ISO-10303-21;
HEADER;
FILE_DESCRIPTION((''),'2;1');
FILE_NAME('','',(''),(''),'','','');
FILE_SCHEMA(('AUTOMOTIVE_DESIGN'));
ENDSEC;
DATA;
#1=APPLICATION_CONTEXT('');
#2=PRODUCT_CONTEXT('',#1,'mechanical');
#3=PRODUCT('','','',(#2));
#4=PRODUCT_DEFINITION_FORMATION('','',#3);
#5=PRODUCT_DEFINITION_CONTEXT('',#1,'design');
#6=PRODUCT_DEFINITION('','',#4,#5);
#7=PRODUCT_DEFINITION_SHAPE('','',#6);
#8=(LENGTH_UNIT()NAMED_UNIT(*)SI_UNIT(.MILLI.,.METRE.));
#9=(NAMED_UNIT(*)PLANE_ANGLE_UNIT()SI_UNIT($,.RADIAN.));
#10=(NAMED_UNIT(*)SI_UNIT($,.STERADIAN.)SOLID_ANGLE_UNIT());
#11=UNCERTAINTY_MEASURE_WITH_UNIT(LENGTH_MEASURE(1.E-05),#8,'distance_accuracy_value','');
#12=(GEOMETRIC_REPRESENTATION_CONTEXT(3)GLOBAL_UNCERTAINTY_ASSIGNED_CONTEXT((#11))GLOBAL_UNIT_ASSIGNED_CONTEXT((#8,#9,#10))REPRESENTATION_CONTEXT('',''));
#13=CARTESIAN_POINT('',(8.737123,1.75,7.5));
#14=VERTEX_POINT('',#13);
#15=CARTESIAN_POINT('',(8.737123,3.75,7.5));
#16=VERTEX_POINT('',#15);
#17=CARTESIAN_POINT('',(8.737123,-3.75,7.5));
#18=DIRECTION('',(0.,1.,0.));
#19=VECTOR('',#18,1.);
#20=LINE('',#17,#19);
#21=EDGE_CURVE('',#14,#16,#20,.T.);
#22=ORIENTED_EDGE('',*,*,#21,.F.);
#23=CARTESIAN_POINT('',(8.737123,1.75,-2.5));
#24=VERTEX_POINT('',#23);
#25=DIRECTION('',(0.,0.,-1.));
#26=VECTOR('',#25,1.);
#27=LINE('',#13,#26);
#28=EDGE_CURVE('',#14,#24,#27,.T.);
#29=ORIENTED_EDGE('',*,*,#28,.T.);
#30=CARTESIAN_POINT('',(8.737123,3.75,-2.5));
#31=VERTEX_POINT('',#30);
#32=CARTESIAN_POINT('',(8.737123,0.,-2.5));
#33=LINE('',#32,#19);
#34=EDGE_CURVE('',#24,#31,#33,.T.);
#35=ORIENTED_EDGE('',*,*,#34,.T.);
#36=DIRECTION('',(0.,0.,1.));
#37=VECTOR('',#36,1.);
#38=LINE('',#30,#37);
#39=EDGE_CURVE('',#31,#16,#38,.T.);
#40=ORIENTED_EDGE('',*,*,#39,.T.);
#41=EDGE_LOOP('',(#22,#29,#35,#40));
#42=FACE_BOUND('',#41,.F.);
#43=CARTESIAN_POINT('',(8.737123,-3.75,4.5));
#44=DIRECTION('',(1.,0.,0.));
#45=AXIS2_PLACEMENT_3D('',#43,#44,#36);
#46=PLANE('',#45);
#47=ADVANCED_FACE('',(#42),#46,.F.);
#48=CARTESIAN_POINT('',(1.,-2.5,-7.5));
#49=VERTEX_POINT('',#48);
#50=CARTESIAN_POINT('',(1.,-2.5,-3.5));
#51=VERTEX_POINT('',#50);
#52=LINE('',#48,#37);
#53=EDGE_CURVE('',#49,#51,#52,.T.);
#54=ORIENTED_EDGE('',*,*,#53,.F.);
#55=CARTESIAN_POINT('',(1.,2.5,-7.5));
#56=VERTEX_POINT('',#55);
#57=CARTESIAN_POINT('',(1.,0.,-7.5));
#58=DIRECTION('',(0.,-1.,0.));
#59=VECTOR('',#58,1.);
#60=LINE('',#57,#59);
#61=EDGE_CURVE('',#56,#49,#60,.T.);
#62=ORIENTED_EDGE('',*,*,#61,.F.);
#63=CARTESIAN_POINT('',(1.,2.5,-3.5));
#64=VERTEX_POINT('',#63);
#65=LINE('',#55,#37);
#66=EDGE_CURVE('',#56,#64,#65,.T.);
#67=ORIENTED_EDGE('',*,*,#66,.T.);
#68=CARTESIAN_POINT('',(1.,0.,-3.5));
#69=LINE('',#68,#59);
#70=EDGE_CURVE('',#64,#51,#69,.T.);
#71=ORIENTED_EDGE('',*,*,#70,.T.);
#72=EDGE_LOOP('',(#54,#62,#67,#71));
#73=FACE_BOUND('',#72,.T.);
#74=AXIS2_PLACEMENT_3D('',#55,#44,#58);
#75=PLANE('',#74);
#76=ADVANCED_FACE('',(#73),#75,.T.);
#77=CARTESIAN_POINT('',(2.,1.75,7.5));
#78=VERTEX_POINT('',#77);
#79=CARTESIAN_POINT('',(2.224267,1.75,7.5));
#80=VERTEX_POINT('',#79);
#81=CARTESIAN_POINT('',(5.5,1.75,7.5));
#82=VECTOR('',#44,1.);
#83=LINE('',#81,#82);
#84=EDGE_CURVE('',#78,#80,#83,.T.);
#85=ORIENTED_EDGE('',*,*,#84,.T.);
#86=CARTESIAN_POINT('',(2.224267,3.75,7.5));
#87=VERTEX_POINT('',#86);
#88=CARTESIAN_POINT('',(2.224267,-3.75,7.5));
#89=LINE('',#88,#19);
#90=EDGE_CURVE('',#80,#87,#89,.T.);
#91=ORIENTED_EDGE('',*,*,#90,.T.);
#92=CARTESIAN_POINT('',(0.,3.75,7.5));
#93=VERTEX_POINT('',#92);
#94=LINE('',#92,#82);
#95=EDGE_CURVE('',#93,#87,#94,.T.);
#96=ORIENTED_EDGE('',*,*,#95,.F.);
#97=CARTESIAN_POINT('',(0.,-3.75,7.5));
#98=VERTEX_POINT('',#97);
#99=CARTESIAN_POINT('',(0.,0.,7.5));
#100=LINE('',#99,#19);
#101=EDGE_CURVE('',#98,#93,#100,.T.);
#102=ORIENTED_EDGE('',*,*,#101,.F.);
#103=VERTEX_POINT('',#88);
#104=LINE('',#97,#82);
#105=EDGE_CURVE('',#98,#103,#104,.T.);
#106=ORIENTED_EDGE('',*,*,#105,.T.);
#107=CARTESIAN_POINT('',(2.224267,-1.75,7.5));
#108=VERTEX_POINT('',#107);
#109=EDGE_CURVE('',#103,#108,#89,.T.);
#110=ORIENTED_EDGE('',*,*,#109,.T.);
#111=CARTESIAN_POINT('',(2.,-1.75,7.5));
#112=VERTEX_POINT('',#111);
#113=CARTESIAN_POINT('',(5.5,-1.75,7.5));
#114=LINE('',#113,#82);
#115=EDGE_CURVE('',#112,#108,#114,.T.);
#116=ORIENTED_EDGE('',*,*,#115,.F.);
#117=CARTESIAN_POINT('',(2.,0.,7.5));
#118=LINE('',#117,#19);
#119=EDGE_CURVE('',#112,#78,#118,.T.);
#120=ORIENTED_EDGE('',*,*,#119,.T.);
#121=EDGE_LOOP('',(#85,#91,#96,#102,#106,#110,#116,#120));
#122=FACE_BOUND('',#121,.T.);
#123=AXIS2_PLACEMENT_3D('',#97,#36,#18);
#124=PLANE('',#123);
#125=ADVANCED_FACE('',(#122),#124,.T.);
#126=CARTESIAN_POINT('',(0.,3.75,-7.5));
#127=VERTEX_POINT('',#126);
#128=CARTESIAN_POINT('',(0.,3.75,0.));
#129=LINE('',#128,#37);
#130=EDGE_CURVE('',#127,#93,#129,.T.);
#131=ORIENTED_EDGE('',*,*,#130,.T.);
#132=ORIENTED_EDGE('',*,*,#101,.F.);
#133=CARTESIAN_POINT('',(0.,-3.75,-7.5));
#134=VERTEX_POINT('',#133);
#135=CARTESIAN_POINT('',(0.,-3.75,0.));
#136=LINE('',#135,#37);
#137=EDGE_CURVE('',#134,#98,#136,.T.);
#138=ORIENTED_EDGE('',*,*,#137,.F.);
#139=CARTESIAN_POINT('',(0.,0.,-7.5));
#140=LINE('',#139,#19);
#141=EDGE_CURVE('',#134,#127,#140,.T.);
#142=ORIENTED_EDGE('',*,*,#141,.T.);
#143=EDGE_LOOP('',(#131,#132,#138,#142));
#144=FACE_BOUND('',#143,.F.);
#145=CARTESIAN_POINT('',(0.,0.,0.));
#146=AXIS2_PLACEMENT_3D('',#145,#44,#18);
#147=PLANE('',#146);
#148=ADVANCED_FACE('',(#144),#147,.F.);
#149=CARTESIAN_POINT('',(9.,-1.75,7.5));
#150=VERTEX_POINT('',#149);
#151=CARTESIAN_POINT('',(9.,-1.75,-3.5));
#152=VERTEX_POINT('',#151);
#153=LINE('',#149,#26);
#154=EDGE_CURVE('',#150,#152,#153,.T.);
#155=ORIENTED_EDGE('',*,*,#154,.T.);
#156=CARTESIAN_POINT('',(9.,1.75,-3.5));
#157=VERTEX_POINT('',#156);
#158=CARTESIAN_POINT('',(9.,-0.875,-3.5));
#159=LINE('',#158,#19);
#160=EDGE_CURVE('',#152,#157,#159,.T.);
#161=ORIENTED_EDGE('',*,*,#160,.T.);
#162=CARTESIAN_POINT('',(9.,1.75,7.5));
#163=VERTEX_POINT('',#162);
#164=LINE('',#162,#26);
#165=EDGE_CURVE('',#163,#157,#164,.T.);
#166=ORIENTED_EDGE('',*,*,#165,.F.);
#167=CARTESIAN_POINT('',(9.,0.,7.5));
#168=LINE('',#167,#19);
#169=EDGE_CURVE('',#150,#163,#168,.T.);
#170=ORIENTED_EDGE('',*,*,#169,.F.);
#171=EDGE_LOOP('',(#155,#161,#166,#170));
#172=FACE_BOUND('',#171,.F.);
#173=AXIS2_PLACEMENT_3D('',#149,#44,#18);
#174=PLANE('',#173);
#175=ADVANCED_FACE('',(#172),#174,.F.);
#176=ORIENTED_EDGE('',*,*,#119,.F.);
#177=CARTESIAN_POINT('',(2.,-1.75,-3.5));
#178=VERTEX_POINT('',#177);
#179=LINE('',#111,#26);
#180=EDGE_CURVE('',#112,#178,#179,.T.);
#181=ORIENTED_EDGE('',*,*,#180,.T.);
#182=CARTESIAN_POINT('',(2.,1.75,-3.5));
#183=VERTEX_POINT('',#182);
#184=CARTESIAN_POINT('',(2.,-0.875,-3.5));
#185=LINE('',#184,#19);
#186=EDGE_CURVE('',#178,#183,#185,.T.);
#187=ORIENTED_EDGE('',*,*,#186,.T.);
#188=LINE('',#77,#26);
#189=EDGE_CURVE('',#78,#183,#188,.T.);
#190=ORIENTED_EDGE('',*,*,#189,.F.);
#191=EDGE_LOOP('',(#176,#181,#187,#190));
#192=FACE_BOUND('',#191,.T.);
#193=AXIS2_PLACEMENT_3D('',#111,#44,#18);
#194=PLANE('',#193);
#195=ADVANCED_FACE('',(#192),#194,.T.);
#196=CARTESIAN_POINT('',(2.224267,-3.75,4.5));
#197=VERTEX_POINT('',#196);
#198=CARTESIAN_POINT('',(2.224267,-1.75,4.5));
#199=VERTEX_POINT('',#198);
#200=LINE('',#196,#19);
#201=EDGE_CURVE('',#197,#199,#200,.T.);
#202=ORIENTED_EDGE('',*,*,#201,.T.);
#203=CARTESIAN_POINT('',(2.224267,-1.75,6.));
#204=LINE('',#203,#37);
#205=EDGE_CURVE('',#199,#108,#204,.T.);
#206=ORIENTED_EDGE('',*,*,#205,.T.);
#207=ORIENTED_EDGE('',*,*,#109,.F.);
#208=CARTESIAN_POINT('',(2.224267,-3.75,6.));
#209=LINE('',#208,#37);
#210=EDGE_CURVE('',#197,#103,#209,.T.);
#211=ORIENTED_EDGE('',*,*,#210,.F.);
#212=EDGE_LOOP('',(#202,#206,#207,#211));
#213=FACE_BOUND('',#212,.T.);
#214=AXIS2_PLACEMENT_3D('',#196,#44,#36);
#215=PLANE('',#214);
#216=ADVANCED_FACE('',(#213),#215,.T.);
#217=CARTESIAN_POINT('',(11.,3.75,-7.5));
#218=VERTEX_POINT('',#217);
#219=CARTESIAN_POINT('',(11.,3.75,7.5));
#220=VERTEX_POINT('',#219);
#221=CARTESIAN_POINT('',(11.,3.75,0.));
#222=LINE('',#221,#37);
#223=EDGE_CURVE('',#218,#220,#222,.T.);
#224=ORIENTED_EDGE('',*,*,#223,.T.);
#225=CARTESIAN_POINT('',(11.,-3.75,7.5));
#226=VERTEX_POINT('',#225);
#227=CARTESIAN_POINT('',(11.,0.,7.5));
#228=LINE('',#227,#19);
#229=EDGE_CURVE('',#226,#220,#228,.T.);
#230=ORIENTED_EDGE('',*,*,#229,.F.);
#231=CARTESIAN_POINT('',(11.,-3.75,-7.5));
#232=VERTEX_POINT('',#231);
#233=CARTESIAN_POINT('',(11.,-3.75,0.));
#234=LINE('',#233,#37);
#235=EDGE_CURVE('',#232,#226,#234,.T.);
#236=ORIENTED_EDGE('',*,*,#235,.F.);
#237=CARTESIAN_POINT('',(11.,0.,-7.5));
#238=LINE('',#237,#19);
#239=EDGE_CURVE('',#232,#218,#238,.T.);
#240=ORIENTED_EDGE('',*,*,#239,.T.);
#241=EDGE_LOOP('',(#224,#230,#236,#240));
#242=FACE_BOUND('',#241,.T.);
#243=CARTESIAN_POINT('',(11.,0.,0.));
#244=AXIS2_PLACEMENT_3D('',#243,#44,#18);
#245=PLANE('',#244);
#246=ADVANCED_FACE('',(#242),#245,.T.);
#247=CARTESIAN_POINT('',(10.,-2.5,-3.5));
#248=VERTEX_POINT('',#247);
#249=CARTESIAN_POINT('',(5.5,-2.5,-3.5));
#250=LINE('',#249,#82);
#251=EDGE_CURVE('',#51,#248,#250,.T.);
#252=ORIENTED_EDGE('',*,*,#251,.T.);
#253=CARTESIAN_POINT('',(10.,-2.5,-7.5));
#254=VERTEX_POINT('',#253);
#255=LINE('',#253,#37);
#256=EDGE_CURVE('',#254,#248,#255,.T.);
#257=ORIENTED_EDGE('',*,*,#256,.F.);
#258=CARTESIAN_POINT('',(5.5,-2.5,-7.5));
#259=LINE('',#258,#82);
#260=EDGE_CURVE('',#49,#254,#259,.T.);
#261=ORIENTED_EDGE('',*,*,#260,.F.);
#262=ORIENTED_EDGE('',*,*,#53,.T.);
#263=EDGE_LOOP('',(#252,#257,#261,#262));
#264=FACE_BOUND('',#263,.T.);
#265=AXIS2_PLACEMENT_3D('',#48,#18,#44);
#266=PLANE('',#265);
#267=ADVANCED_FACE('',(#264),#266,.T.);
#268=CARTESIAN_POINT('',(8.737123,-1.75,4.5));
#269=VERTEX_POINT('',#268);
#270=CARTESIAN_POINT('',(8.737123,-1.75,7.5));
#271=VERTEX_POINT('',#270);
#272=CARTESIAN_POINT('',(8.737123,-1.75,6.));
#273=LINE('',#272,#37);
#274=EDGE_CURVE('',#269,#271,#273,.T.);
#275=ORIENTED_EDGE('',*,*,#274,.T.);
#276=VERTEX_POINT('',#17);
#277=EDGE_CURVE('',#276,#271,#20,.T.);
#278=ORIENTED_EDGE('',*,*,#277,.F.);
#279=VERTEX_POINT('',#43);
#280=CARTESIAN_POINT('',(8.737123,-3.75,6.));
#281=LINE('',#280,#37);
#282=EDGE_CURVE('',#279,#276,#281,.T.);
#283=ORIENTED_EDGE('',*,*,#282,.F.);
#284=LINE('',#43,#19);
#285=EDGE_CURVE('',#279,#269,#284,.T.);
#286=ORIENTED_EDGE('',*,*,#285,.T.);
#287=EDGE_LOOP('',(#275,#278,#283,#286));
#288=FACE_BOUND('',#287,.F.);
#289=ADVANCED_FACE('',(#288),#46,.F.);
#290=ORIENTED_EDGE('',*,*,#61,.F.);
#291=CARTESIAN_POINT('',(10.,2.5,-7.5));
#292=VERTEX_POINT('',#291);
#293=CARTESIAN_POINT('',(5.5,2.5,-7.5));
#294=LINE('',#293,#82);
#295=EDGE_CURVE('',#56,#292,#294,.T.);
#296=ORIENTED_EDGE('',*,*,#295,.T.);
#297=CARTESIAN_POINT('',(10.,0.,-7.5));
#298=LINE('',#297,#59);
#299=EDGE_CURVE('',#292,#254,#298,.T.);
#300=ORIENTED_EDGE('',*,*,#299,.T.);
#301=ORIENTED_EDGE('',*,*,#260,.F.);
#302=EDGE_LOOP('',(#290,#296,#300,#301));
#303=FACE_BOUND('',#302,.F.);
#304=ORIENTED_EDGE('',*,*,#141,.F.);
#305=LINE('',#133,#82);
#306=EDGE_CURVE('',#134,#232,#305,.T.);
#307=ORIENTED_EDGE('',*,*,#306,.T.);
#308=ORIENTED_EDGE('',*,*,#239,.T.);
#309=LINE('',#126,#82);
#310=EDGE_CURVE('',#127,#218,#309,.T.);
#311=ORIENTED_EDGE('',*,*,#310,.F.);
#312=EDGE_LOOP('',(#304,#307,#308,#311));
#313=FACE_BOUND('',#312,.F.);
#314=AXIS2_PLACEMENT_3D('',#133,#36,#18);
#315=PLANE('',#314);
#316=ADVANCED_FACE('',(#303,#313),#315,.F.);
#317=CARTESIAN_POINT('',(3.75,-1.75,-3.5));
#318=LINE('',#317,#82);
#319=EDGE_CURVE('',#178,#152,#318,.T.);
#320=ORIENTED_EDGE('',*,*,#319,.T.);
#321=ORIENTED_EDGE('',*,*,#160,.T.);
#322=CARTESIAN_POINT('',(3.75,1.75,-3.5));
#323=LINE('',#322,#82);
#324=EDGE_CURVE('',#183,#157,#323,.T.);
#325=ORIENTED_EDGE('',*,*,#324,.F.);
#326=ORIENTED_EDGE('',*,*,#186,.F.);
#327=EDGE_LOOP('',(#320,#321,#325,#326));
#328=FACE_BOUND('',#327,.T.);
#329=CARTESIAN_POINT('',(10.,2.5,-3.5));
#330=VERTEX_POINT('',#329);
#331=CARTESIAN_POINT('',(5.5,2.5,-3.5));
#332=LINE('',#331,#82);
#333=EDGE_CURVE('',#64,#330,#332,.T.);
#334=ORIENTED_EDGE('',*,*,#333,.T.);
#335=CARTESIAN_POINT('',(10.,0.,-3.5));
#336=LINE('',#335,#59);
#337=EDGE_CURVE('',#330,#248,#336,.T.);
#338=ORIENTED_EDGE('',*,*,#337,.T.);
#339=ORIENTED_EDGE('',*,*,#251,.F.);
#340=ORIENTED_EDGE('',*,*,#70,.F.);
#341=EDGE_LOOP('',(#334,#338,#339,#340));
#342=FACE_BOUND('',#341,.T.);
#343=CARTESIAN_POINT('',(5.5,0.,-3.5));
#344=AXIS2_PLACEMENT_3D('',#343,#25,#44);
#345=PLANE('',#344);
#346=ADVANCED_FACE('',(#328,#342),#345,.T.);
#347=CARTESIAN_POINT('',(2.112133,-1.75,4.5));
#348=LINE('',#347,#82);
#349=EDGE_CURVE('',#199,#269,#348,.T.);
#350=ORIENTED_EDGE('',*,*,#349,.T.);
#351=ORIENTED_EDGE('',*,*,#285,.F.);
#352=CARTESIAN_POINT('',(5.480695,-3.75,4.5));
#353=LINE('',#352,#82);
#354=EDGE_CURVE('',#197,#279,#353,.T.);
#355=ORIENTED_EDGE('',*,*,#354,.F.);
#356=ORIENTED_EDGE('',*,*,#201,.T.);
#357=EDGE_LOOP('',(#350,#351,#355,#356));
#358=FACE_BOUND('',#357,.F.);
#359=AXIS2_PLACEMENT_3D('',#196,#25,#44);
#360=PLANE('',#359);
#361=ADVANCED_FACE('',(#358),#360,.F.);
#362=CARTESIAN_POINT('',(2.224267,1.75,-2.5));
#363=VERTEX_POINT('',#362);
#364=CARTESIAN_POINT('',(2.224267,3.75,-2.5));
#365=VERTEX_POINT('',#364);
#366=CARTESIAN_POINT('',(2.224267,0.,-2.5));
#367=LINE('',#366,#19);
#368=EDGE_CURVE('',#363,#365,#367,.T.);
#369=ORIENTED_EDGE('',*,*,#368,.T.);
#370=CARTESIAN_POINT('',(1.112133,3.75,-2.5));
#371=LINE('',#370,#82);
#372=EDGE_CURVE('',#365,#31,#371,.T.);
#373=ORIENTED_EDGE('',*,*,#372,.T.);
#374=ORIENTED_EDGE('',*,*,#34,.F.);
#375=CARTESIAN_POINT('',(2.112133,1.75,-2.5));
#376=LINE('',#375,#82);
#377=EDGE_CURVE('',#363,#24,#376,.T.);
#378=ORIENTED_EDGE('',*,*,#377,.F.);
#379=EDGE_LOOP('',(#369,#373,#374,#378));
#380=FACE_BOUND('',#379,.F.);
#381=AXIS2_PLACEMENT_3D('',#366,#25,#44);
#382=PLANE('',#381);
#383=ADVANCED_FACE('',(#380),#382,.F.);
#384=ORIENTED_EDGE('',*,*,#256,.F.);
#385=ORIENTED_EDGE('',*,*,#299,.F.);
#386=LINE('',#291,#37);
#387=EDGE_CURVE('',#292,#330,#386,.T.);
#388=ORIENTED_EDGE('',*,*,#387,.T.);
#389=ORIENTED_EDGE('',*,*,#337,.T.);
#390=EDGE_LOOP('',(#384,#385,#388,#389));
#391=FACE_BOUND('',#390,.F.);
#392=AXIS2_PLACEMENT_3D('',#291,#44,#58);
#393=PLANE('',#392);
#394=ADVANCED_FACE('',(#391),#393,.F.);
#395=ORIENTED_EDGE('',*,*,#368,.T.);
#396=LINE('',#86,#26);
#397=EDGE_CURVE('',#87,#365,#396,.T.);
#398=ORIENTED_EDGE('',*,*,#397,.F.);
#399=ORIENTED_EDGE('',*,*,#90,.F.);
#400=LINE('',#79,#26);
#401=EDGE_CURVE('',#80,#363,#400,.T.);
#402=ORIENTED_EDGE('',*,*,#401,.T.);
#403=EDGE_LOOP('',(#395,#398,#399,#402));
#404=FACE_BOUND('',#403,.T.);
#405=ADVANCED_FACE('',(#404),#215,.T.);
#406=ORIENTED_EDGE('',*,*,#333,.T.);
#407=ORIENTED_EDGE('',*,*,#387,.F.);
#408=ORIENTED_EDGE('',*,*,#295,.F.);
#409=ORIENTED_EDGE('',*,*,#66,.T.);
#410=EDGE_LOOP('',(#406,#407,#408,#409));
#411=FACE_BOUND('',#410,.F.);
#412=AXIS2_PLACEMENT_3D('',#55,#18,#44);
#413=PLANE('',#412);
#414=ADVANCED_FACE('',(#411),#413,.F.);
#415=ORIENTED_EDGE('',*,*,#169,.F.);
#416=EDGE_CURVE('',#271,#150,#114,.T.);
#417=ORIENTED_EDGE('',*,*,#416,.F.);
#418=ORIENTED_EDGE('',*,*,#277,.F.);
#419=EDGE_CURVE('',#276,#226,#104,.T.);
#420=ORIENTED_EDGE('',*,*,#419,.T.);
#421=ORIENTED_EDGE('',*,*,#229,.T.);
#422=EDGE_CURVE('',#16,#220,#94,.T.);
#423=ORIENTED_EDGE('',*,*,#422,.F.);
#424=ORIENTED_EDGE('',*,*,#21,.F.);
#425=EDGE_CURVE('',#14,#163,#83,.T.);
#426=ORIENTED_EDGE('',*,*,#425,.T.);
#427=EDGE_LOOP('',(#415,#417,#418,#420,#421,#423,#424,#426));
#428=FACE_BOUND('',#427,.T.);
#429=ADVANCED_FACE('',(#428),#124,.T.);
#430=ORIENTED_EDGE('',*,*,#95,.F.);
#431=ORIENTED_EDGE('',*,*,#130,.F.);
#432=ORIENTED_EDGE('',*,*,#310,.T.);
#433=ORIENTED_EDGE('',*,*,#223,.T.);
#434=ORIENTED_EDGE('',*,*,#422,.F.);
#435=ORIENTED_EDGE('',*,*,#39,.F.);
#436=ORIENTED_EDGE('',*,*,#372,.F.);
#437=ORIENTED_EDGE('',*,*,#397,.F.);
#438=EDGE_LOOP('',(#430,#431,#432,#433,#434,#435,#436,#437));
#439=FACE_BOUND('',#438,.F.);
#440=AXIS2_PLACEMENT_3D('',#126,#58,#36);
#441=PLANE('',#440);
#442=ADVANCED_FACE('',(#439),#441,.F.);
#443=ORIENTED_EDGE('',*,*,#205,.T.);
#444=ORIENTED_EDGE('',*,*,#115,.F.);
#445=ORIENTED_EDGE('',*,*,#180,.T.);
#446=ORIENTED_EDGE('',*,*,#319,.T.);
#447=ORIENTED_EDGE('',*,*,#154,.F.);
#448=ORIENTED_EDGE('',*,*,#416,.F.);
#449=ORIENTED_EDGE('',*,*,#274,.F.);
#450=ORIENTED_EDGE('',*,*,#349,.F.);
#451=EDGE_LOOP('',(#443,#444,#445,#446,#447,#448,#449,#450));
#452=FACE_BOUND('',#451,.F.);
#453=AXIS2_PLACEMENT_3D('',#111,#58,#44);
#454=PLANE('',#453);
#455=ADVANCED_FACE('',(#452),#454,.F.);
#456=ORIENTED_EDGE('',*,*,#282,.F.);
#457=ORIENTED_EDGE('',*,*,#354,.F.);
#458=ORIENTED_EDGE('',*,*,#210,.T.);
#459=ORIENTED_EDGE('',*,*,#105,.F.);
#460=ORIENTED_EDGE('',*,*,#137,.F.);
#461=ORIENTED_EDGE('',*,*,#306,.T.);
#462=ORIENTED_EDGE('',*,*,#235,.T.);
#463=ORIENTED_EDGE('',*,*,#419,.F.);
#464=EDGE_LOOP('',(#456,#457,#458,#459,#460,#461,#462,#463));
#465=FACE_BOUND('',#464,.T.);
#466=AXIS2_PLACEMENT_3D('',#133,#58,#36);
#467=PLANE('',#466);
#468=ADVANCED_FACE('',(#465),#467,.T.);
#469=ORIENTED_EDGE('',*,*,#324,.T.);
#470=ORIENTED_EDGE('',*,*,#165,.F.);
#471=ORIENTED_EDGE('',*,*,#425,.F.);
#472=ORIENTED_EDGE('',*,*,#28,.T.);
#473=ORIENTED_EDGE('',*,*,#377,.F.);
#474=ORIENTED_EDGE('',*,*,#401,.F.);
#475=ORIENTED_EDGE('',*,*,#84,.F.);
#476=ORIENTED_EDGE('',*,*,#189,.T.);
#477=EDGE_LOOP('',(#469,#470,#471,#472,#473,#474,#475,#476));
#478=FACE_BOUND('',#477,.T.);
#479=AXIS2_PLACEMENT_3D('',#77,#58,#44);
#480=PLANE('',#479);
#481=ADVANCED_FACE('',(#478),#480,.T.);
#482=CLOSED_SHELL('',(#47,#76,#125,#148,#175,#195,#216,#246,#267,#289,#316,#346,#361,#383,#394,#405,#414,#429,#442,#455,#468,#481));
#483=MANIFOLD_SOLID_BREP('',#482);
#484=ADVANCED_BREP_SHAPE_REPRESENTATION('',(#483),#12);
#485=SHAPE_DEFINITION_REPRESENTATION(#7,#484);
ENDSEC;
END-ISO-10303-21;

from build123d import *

# Parameters (mm, degrees)
F0_W     = 7.5
F0_H     = 15
F1_DEPTH = 11
F2_W     = 7
F2_H     = 3.5
F3_DEPTH = 20
F4_W     = 9
F4_H     = 5
F5_DEPTH = 4
F6_W     = 6.512857
F6_H     = 3
F7_DEPTH = 25
F8_W     = 6.512857
F8_H     = 7
F9_DEPTH = 25


with BuildPart() as f1:
    # F0 (on Right) → F1 (new body)
    with BuildSketch(Plane.YZ):
        Rectangle(F0_W, F0_H)
    extrude(amount=F1_DEPTH)

    # F2 (on face) → F3 (cut)
    with BuildSketch(Plane.XY.offset(7.5)):
        with Locations((5.5, 0)):
            Rectangle(F2_W, F2_H)
    extrude(amount=-F3_DEPTH, mode=Mode.SUBTRACT)

    # F4 (on face) → F5 (cut)
    with BuildSketch(Plane(origin=(0, 0, -7.5), x_dir=(1, 0, 0), z_dir=(0, 0, -1))):
        with Locations((5.5, 0)):
            Rectangle(F4_W, F4_H)
    extrude(amount=-F5_DEPTH, mode=Mode.SUBTRACT)

    # F6 (on face) → F7 (cut)
    with BuildSketch(Plane.XZ.offset(3.75)):
        with Locations((5.480695, 6)):
            Rectangle(F6_W, F6_H)
    extrude(amount=-F7_DEPTH, mode=Mode.SUBTRACT)

    # F8 (on Front) → F9 (cut)
    with BuildSketch(Plane.XZ):
        with Locations((5.480695, 1)):
            Rectangle(F8_W, F8_H)
    extrude(amount=-F9_DEPTH, mode=Mode.SUBTRACT)


solid = f1.part
